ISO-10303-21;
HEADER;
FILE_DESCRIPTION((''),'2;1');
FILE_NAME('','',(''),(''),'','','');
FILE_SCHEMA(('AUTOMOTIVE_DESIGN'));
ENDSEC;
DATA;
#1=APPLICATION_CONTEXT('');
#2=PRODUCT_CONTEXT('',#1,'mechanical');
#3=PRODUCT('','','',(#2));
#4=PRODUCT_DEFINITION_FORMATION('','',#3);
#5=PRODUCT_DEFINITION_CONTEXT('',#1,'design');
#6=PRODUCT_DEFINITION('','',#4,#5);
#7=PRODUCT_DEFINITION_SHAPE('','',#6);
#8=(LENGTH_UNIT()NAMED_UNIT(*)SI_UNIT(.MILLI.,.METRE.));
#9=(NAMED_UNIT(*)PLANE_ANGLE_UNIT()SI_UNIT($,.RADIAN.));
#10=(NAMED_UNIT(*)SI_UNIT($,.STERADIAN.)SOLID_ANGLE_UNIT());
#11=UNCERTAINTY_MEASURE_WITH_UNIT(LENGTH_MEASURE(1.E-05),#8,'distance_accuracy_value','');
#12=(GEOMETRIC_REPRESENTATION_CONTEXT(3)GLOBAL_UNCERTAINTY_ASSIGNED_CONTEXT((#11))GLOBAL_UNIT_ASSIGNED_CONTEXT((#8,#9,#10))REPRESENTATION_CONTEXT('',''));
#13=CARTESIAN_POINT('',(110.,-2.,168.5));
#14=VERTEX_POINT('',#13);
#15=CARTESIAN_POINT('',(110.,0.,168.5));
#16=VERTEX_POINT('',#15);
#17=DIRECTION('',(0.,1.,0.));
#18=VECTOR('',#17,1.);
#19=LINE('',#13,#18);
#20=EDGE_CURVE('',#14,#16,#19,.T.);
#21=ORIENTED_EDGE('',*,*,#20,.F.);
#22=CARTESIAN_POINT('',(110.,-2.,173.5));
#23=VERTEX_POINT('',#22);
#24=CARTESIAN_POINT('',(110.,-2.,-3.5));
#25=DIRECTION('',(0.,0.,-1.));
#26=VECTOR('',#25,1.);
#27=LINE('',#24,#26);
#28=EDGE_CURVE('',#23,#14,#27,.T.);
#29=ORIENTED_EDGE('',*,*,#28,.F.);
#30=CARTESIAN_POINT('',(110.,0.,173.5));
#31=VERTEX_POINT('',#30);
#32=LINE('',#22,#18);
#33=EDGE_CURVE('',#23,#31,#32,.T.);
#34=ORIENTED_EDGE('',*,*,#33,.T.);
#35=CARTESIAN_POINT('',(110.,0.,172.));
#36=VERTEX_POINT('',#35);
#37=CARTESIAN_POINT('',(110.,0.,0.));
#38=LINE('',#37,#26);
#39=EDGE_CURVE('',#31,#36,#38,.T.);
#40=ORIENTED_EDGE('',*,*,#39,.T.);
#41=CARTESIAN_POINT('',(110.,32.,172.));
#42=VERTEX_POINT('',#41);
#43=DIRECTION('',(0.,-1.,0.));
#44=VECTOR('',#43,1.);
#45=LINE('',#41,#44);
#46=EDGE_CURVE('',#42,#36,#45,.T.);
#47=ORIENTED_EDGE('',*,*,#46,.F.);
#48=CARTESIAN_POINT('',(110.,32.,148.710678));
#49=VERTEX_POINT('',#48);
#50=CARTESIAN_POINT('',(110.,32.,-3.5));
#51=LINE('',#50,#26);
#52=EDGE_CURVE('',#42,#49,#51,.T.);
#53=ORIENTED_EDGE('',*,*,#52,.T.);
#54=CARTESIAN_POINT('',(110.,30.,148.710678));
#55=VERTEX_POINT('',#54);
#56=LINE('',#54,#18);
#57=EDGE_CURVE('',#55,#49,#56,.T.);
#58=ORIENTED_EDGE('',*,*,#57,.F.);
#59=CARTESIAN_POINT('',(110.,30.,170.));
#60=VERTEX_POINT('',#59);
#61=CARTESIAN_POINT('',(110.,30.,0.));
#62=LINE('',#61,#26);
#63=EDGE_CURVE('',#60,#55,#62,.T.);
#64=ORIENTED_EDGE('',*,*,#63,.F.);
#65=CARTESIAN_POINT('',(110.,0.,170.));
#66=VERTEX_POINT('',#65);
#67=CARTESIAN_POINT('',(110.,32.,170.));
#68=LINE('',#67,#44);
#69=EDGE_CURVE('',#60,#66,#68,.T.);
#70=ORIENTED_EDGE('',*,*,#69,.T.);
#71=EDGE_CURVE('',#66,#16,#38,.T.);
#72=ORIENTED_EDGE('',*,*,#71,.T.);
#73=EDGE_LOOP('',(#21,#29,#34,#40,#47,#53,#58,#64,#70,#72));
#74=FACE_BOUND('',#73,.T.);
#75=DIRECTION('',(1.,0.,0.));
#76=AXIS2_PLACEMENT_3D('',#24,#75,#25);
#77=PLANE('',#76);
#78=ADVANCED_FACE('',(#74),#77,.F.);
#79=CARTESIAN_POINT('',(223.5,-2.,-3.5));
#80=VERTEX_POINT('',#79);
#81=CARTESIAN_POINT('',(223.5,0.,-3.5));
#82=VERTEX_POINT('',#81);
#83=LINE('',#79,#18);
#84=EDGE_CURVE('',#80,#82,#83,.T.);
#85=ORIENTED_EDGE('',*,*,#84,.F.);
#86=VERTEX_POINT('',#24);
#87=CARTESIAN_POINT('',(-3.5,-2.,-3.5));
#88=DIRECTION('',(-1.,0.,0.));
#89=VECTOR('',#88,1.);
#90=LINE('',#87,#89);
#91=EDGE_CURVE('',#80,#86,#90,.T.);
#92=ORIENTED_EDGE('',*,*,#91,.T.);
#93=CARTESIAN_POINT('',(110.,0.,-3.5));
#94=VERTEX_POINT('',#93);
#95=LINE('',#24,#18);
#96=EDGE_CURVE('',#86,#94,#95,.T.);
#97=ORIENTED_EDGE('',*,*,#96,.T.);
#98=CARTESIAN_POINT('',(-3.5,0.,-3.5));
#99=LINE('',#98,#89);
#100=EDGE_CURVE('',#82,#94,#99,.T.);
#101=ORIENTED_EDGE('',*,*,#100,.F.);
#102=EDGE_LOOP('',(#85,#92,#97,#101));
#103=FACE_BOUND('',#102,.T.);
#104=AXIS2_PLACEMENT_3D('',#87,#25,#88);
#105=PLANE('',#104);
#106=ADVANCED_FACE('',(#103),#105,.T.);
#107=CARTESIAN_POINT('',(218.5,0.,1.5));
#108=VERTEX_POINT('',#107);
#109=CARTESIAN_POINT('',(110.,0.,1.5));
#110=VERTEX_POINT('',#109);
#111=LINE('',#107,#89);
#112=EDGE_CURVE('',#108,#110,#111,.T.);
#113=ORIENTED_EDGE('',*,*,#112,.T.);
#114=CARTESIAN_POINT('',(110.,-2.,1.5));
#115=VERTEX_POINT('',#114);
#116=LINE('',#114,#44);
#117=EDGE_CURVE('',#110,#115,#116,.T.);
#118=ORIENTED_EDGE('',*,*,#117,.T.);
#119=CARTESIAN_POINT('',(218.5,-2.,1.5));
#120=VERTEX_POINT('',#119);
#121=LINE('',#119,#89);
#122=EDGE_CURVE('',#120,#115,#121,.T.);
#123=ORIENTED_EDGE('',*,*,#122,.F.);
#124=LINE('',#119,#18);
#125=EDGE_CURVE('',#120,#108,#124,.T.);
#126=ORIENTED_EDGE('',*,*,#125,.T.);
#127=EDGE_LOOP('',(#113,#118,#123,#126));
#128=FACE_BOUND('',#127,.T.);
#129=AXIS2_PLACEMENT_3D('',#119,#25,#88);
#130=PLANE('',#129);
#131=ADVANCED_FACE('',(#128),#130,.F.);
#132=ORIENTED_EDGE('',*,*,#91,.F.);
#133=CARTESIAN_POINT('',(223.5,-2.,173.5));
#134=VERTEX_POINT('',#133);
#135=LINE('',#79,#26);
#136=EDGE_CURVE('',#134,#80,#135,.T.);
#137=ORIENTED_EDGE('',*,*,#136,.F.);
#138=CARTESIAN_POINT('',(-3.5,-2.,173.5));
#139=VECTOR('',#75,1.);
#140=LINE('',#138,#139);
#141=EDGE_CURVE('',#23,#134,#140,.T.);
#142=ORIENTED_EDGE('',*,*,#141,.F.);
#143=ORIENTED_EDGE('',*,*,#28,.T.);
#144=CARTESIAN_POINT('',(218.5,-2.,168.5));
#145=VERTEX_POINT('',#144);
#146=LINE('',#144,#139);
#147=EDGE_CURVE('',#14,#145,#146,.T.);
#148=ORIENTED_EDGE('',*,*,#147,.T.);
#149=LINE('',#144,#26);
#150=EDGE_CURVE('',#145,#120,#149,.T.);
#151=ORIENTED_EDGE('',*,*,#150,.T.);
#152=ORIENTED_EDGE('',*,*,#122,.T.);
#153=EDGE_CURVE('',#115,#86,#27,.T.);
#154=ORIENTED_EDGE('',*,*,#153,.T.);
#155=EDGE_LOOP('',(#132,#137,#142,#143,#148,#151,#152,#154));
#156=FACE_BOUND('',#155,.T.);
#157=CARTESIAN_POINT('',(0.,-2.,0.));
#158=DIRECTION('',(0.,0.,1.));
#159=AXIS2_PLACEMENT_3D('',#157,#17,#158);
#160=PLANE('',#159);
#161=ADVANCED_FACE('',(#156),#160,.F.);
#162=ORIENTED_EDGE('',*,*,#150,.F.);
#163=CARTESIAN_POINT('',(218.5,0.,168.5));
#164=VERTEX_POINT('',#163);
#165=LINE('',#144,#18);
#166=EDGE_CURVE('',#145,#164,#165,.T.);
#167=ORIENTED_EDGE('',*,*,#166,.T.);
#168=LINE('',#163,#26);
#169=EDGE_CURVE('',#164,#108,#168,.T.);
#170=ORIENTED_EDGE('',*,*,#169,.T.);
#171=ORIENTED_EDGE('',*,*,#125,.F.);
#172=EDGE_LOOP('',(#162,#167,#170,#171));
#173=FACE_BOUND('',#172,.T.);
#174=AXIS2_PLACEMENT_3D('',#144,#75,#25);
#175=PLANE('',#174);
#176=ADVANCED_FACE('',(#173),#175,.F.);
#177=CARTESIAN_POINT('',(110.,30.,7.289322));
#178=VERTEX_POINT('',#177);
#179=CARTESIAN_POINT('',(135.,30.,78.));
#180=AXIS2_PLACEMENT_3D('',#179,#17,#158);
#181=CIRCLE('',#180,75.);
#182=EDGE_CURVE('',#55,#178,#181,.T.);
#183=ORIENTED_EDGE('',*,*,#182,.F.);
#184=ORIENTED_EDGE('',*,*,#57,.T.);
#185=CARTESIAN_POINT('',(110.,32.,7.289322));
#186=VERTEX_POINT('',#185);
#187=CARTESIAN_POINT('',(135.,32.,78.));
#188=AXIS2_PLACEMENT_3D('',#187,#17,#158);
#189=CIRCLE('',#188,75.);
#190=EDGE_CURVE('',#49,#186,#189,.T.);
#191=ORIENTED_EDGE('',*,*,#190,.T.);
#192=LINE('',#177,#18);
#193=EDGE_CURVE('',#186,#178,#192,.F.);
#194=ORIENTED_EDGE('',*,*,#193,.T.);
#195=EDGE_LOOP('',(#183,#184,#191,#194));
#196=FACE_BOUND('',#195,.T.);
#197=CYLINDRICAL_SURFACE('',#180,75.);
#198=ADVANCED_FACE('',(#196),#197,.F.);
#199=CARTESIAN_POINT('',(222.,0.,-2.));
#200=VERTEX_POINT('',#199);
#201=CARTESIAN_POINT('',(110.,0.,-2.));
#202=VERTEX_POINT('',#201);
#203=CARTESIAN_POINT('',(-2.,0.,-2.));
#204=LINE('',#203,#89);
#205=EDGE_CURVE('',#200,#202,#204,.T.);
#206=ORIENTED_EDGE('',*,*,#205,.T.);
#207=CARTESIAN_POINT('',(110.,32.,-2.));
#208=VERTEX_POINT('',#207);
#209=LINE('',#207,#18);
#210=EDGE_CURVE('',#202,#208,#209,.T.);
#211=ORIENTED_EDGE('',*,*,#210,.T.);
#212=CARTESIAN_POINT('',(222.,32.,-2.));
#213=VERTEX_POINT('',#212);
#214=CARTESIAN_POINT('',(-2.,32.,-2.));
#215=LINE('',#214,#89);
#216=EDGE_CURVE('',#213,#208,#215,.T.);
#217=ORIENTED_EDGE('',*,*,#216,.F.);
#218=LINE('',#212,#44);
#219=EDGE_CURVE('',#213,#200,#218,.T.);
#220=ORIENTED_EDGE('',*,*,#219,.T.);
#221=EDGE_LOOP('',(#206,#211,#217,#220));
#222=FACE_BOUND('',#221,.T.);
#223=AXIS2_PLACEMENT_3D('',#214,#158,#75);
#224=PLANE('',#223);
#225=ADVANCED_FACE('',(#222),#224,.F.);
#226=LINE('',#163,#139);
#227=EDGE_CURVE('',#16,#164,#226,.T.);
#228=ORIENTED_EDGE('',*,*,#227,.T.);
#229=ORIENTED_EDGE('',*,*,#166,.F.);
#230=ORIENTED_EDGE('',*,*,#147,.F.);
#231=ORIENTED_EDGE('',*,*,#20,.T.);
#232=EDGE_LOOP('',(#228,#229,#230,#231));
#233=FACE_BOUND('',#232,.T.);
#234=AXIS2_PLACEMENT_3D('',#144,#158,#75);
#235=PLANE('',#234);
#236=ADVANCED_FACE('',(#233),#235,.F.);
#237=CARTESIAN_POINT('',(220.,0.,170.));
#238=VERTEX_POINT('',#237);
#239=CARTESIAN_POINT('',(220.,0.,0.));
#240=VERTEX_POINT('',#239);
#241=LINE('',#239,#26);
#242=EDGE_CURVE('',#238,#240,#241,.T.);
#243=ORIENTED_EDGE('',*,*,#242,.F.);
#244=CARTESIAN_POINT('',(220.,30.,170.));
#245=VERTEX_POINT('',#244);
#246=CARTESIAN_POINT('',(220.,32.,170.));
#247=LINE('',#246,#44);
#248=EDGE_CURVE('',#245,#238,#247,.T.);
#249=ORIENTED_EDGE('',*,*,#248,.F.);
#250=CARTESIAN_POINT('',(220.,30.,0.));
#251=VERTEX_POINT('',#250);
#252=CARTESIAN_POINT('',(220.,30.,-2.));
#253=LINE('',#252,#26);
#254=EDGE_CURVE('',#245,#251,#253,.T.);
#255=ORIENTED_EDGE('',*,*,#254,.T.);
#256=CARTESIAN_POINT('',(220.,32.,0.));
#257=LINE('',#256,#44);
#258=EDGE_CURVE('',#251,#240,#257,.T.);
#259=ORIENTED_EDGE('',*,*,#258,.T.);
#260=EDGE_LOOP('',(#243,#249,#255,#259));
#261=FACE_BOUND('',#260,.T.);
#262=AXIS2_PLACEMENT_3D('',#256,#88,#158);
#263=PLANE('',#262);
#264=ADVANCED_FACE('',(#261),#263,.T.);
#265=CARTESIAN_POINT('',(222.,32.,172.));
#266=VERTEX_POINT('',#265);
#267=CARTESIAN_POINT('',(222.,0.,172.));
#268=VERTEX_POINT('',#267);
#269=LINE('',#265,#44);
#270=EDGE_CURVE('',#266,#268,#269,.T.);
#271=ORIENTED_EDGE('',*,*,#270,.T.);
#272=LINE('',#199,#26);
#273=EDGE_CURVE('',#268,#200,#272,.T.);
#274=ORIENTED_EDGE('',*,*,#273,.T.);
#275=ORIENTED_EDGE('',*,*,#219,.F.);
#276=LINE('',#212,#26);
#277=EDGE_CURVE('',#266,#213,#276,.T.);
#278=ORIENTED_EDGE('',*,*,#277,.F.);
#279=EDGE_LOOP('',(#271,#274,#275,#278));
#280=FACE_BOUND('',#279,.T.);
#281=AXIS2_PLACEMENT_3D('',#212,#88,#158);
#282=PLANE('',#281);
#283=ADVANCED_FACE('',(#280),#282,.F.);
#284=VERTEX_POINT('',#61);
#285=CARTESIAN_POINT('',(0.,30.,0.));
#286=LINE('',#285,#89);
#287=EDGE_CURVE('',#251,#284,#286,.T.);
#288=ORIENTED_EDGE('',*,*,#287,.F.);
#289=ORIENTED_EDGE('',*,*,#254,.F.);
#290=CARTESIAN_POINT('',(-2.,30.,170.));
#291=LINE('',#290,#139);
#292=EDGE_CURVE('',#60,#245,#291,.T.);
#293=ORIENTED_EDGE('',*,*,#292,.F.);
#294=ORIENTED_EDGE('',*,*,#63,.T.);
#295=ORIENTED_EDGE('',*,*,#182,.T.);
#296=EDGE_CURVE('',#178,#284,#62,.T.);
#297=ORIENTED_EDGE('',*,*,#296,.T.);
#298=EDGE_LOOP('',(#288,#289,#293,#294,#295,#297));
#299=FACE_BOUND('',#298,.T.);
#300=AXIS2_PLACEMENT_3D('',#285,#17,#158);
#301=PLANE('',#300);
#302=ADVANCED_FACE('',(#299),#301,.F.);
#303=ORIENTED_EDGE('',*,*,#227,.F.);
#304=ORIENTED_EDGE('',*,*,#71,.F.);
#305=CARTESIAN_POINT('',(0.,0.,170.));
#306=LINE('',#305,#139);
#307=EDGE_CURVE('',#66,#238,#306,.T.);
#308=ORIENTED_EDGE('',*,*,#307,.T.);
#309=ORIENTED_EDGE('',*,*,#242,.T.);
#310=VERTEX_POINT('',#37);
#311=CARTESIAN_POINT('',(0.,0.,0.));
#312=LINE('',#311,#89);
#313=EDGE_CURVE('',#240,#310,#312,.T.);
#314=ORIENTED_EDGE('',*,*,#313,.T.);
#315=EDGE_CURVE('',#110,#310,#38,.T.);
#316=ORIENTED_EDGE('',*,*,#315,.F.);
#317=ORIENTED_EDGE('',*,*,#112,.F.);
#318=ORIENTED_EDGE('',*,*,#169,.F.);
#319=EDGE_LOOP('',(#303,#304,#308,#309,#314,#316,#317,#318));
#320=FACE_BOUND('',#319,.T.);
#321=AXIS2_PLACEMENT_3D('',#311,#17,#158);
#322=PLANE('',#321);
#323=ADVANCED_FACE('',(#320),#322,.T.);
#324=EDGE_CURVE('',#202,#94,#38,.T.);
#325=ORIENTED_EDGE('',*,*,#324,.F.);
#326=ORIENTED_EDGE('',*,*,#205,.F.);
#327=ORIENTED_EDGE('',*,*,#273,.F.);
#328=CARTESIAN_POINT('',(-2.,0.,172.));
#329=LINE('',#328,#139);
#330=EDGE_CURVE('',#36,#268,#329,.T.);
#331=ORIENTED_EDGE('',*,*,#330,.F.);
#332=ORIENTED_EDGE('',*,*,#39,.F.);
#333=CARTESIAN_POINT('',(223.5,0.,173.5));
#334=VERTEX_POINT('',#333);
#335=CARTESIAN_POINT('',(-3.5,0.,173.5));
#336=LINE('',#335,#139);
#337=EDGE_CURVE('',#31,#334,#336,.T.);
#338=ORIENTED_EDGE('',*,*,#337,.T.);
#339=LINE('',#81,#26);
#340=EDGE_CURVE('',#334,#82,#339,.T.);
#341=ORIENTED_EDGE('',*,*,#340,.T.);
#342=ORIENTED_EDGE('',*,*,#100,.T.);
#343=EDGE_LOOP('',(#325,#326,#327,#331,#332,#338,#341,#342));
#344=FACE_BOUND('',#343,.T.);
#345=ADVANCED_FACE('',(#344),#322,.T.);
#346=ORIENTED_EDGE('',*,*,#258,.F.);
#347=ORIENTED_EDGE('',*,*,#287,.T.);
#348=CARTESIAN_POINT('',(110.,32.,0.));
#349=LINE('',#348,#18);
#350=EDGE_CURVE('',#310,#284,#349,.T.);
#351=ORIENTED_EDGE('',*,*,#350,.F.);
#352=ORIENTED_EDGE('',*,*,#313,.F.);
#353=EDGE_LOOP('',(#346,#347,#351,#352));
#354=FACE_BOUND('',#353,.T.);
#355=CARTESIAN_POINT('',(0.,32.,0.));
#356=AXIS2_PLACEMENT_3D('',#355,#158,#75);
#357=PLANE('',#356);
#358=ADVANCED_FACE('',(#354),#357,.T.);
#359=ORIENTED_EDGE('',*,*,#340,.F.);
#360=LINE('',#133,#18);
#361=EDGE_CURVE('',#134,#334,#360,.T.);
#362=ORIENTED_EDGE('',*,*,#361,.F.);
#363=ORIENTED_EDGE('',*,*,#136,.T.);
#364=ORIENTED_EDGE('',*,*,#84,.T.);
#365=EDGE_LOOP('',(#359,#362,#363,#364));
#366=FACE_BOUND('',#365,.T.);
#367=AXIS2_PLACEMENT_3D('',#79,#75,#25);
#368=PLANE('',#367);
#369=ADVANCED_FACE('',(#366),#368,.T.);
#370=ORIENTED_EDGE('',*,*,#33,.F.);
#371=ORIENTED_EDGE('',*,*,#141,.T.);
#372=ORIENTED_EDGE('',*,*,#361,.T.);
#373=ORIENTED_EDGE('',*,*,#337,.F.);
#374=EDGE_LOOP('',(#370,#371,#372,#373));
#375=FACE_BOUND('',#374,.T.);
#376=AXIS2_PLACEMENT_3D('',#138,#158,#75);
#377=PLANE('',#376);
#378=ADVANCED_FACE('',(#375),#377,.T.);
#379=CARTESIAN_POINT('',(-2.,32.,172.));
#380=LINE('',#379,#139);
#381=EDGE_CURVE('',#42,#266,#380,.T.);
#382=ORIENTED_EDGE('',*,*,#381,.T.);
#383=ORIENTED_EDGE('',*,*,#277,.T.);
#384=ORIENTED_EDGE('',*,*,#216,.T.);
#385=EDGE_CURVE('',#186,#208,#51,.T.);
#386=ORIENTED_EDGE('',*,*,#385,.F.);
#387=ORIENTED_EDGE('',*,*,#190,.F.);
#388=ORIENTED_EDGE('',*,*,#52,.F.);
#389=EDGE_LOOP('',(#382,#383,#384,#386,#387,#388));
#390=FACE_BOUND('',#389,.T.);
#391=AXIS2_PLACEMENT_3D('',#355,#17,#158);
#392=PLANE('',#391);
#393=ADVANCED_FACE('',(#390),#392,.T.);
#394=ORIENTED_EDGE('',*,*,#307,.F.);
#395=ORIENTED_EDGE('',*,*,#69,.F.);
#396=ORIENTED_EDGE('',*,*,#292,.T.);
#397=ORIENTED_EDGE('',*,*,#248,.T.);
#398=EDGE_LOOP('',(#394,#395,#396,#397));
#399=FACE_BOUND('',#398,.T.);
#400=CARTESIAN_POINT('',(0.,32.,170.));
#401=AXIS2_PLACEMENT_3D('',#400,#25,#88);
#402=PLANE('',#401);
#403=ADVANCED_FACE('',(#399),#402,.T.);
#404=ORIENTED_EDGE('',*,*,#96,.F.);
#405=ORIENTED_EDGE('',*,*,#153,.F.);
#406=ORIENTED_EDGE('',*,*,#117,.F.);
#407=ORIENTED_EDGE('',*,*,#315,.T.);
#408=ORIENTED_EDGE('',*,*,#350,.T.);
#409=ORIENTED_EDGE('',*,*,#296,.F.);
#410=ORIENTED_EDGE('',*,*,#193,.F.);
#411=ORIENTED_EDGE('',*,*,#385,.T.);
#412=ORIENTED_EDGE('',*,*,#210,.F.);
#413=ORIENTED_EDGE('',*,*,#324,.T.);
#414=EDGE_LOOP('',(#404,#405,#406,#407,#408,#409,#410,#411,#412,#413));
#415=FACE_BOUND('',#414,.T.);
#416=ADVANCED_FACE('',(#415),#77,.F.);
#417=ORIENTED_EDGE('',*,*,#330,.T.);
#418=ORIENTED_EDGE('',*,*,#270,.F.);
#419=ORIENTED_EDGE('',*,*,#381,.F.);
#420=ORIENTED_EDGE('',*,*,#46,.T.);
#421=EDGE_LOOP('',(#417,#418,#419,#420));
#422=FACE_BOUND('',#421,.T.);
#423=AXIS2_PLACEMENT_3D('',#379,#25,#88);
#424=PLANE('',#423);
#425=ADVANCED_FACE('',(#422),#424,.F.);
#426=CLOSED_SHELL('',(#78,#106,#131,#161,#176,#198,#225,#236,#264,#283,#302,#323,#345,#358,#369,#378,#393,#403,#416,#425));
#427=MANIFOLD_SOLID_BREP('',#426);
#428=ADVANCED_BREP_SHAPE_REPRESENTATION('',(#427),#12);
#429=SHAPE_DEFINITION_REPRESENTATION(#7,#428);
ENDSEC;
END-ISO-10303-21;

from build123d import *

# Parameters (mm, degrees)
SKETCH_1_W          = 224
SKETCH_1_H          = 174
SKETCH_1_W_2        = 220
SKETCH_1_H_2        = 170
EXTRUDE_1_DEPTH     = 32
SKETCH_2_W          = 227
SKETCH_2_H          = 177
SKETCH_2_W_2        = 217
SKETCH_2_H_2        = 167
EXTRUDE_2_DEPTH     = 2
SKETCH_3_W          = 222
SKETCH_3_H          = 172
SKETCH_3_R          = 75
EXTRUDE_3_DEPTH     = 2
SKETCH_4_W          = 113.5
SKETCH_4_H          = 177
CUT_EXTRUDE_1_DEPTH = 285.974560268


with BuildPart() as part:
    # 草图1 → 凸台-拉伸1 (new body)
    with BuildSketch(Plane(origin=(0, 0, 0), x_dir=(1, 0, 0), z_dir=(0, 1, 0))):
        with Locations((110, -85)):
            Rectangle(SKETCH_1_W, SKETCH_1_H)
        with Locations((110, -85)):
            Rectangle(SKETCH_1_W_2, SKETCH_1_H_2, mode=Mode.SUBTRACT)
    extrude(amount=EXTRUDE_1_DEPTH)

    # 草图2 → 凸台-拉伸2 (add)
    with BuildSketch(Plane(origin=(0, 0, 0), x_dir=(1, 0, 0), z_dir=(0, 1, 0))):
        with Locations((110, -85)):
            Rectangle(SKETCH_2_W, SKETCH_2_H)
        with Locations((110, -85)):
            Rectangle(SKETCH_2_W_2, SKETCH_2_H_2, mode=Mode.SUBTRACT)
    extrude(amount=-EXTRUDE_2_DEPTH)

    # 草图3 → 凸台-拉伸3 (add)
    with BuildSketch(Plane(origin=(0, 32, 0), x_dir=(1, 0, 0), z_dir=(0, 1, 0))):
        with Locations((109, -84)):
            Rectangle(SKETCH_3_W, SKETCH_3_H)
        with Locations(Location((135, -78, 0), (0, 0, 270))):
            Circle(SKETCH_3_R, mode=Mode.SUBTRACT)
    extrude(amount=-EXTRUDE_3_DEPTH)

    # 草图4 → 切除-拉伸1 (cut, through all)
    with BuildSketch(Plane(origin=(0, 32, 0), x_dir=(1, 0, 0), z_dir=(0, 1, 0))):
        with Locations((53.25, -85)):
            Rectangle(SKETCH_4_W, SKETCH_4_H)
    extrude(amount=-CUT_EXTRUDE_1_DEPTH, mode=Mode.SUBTRACT)


solid = part.part
